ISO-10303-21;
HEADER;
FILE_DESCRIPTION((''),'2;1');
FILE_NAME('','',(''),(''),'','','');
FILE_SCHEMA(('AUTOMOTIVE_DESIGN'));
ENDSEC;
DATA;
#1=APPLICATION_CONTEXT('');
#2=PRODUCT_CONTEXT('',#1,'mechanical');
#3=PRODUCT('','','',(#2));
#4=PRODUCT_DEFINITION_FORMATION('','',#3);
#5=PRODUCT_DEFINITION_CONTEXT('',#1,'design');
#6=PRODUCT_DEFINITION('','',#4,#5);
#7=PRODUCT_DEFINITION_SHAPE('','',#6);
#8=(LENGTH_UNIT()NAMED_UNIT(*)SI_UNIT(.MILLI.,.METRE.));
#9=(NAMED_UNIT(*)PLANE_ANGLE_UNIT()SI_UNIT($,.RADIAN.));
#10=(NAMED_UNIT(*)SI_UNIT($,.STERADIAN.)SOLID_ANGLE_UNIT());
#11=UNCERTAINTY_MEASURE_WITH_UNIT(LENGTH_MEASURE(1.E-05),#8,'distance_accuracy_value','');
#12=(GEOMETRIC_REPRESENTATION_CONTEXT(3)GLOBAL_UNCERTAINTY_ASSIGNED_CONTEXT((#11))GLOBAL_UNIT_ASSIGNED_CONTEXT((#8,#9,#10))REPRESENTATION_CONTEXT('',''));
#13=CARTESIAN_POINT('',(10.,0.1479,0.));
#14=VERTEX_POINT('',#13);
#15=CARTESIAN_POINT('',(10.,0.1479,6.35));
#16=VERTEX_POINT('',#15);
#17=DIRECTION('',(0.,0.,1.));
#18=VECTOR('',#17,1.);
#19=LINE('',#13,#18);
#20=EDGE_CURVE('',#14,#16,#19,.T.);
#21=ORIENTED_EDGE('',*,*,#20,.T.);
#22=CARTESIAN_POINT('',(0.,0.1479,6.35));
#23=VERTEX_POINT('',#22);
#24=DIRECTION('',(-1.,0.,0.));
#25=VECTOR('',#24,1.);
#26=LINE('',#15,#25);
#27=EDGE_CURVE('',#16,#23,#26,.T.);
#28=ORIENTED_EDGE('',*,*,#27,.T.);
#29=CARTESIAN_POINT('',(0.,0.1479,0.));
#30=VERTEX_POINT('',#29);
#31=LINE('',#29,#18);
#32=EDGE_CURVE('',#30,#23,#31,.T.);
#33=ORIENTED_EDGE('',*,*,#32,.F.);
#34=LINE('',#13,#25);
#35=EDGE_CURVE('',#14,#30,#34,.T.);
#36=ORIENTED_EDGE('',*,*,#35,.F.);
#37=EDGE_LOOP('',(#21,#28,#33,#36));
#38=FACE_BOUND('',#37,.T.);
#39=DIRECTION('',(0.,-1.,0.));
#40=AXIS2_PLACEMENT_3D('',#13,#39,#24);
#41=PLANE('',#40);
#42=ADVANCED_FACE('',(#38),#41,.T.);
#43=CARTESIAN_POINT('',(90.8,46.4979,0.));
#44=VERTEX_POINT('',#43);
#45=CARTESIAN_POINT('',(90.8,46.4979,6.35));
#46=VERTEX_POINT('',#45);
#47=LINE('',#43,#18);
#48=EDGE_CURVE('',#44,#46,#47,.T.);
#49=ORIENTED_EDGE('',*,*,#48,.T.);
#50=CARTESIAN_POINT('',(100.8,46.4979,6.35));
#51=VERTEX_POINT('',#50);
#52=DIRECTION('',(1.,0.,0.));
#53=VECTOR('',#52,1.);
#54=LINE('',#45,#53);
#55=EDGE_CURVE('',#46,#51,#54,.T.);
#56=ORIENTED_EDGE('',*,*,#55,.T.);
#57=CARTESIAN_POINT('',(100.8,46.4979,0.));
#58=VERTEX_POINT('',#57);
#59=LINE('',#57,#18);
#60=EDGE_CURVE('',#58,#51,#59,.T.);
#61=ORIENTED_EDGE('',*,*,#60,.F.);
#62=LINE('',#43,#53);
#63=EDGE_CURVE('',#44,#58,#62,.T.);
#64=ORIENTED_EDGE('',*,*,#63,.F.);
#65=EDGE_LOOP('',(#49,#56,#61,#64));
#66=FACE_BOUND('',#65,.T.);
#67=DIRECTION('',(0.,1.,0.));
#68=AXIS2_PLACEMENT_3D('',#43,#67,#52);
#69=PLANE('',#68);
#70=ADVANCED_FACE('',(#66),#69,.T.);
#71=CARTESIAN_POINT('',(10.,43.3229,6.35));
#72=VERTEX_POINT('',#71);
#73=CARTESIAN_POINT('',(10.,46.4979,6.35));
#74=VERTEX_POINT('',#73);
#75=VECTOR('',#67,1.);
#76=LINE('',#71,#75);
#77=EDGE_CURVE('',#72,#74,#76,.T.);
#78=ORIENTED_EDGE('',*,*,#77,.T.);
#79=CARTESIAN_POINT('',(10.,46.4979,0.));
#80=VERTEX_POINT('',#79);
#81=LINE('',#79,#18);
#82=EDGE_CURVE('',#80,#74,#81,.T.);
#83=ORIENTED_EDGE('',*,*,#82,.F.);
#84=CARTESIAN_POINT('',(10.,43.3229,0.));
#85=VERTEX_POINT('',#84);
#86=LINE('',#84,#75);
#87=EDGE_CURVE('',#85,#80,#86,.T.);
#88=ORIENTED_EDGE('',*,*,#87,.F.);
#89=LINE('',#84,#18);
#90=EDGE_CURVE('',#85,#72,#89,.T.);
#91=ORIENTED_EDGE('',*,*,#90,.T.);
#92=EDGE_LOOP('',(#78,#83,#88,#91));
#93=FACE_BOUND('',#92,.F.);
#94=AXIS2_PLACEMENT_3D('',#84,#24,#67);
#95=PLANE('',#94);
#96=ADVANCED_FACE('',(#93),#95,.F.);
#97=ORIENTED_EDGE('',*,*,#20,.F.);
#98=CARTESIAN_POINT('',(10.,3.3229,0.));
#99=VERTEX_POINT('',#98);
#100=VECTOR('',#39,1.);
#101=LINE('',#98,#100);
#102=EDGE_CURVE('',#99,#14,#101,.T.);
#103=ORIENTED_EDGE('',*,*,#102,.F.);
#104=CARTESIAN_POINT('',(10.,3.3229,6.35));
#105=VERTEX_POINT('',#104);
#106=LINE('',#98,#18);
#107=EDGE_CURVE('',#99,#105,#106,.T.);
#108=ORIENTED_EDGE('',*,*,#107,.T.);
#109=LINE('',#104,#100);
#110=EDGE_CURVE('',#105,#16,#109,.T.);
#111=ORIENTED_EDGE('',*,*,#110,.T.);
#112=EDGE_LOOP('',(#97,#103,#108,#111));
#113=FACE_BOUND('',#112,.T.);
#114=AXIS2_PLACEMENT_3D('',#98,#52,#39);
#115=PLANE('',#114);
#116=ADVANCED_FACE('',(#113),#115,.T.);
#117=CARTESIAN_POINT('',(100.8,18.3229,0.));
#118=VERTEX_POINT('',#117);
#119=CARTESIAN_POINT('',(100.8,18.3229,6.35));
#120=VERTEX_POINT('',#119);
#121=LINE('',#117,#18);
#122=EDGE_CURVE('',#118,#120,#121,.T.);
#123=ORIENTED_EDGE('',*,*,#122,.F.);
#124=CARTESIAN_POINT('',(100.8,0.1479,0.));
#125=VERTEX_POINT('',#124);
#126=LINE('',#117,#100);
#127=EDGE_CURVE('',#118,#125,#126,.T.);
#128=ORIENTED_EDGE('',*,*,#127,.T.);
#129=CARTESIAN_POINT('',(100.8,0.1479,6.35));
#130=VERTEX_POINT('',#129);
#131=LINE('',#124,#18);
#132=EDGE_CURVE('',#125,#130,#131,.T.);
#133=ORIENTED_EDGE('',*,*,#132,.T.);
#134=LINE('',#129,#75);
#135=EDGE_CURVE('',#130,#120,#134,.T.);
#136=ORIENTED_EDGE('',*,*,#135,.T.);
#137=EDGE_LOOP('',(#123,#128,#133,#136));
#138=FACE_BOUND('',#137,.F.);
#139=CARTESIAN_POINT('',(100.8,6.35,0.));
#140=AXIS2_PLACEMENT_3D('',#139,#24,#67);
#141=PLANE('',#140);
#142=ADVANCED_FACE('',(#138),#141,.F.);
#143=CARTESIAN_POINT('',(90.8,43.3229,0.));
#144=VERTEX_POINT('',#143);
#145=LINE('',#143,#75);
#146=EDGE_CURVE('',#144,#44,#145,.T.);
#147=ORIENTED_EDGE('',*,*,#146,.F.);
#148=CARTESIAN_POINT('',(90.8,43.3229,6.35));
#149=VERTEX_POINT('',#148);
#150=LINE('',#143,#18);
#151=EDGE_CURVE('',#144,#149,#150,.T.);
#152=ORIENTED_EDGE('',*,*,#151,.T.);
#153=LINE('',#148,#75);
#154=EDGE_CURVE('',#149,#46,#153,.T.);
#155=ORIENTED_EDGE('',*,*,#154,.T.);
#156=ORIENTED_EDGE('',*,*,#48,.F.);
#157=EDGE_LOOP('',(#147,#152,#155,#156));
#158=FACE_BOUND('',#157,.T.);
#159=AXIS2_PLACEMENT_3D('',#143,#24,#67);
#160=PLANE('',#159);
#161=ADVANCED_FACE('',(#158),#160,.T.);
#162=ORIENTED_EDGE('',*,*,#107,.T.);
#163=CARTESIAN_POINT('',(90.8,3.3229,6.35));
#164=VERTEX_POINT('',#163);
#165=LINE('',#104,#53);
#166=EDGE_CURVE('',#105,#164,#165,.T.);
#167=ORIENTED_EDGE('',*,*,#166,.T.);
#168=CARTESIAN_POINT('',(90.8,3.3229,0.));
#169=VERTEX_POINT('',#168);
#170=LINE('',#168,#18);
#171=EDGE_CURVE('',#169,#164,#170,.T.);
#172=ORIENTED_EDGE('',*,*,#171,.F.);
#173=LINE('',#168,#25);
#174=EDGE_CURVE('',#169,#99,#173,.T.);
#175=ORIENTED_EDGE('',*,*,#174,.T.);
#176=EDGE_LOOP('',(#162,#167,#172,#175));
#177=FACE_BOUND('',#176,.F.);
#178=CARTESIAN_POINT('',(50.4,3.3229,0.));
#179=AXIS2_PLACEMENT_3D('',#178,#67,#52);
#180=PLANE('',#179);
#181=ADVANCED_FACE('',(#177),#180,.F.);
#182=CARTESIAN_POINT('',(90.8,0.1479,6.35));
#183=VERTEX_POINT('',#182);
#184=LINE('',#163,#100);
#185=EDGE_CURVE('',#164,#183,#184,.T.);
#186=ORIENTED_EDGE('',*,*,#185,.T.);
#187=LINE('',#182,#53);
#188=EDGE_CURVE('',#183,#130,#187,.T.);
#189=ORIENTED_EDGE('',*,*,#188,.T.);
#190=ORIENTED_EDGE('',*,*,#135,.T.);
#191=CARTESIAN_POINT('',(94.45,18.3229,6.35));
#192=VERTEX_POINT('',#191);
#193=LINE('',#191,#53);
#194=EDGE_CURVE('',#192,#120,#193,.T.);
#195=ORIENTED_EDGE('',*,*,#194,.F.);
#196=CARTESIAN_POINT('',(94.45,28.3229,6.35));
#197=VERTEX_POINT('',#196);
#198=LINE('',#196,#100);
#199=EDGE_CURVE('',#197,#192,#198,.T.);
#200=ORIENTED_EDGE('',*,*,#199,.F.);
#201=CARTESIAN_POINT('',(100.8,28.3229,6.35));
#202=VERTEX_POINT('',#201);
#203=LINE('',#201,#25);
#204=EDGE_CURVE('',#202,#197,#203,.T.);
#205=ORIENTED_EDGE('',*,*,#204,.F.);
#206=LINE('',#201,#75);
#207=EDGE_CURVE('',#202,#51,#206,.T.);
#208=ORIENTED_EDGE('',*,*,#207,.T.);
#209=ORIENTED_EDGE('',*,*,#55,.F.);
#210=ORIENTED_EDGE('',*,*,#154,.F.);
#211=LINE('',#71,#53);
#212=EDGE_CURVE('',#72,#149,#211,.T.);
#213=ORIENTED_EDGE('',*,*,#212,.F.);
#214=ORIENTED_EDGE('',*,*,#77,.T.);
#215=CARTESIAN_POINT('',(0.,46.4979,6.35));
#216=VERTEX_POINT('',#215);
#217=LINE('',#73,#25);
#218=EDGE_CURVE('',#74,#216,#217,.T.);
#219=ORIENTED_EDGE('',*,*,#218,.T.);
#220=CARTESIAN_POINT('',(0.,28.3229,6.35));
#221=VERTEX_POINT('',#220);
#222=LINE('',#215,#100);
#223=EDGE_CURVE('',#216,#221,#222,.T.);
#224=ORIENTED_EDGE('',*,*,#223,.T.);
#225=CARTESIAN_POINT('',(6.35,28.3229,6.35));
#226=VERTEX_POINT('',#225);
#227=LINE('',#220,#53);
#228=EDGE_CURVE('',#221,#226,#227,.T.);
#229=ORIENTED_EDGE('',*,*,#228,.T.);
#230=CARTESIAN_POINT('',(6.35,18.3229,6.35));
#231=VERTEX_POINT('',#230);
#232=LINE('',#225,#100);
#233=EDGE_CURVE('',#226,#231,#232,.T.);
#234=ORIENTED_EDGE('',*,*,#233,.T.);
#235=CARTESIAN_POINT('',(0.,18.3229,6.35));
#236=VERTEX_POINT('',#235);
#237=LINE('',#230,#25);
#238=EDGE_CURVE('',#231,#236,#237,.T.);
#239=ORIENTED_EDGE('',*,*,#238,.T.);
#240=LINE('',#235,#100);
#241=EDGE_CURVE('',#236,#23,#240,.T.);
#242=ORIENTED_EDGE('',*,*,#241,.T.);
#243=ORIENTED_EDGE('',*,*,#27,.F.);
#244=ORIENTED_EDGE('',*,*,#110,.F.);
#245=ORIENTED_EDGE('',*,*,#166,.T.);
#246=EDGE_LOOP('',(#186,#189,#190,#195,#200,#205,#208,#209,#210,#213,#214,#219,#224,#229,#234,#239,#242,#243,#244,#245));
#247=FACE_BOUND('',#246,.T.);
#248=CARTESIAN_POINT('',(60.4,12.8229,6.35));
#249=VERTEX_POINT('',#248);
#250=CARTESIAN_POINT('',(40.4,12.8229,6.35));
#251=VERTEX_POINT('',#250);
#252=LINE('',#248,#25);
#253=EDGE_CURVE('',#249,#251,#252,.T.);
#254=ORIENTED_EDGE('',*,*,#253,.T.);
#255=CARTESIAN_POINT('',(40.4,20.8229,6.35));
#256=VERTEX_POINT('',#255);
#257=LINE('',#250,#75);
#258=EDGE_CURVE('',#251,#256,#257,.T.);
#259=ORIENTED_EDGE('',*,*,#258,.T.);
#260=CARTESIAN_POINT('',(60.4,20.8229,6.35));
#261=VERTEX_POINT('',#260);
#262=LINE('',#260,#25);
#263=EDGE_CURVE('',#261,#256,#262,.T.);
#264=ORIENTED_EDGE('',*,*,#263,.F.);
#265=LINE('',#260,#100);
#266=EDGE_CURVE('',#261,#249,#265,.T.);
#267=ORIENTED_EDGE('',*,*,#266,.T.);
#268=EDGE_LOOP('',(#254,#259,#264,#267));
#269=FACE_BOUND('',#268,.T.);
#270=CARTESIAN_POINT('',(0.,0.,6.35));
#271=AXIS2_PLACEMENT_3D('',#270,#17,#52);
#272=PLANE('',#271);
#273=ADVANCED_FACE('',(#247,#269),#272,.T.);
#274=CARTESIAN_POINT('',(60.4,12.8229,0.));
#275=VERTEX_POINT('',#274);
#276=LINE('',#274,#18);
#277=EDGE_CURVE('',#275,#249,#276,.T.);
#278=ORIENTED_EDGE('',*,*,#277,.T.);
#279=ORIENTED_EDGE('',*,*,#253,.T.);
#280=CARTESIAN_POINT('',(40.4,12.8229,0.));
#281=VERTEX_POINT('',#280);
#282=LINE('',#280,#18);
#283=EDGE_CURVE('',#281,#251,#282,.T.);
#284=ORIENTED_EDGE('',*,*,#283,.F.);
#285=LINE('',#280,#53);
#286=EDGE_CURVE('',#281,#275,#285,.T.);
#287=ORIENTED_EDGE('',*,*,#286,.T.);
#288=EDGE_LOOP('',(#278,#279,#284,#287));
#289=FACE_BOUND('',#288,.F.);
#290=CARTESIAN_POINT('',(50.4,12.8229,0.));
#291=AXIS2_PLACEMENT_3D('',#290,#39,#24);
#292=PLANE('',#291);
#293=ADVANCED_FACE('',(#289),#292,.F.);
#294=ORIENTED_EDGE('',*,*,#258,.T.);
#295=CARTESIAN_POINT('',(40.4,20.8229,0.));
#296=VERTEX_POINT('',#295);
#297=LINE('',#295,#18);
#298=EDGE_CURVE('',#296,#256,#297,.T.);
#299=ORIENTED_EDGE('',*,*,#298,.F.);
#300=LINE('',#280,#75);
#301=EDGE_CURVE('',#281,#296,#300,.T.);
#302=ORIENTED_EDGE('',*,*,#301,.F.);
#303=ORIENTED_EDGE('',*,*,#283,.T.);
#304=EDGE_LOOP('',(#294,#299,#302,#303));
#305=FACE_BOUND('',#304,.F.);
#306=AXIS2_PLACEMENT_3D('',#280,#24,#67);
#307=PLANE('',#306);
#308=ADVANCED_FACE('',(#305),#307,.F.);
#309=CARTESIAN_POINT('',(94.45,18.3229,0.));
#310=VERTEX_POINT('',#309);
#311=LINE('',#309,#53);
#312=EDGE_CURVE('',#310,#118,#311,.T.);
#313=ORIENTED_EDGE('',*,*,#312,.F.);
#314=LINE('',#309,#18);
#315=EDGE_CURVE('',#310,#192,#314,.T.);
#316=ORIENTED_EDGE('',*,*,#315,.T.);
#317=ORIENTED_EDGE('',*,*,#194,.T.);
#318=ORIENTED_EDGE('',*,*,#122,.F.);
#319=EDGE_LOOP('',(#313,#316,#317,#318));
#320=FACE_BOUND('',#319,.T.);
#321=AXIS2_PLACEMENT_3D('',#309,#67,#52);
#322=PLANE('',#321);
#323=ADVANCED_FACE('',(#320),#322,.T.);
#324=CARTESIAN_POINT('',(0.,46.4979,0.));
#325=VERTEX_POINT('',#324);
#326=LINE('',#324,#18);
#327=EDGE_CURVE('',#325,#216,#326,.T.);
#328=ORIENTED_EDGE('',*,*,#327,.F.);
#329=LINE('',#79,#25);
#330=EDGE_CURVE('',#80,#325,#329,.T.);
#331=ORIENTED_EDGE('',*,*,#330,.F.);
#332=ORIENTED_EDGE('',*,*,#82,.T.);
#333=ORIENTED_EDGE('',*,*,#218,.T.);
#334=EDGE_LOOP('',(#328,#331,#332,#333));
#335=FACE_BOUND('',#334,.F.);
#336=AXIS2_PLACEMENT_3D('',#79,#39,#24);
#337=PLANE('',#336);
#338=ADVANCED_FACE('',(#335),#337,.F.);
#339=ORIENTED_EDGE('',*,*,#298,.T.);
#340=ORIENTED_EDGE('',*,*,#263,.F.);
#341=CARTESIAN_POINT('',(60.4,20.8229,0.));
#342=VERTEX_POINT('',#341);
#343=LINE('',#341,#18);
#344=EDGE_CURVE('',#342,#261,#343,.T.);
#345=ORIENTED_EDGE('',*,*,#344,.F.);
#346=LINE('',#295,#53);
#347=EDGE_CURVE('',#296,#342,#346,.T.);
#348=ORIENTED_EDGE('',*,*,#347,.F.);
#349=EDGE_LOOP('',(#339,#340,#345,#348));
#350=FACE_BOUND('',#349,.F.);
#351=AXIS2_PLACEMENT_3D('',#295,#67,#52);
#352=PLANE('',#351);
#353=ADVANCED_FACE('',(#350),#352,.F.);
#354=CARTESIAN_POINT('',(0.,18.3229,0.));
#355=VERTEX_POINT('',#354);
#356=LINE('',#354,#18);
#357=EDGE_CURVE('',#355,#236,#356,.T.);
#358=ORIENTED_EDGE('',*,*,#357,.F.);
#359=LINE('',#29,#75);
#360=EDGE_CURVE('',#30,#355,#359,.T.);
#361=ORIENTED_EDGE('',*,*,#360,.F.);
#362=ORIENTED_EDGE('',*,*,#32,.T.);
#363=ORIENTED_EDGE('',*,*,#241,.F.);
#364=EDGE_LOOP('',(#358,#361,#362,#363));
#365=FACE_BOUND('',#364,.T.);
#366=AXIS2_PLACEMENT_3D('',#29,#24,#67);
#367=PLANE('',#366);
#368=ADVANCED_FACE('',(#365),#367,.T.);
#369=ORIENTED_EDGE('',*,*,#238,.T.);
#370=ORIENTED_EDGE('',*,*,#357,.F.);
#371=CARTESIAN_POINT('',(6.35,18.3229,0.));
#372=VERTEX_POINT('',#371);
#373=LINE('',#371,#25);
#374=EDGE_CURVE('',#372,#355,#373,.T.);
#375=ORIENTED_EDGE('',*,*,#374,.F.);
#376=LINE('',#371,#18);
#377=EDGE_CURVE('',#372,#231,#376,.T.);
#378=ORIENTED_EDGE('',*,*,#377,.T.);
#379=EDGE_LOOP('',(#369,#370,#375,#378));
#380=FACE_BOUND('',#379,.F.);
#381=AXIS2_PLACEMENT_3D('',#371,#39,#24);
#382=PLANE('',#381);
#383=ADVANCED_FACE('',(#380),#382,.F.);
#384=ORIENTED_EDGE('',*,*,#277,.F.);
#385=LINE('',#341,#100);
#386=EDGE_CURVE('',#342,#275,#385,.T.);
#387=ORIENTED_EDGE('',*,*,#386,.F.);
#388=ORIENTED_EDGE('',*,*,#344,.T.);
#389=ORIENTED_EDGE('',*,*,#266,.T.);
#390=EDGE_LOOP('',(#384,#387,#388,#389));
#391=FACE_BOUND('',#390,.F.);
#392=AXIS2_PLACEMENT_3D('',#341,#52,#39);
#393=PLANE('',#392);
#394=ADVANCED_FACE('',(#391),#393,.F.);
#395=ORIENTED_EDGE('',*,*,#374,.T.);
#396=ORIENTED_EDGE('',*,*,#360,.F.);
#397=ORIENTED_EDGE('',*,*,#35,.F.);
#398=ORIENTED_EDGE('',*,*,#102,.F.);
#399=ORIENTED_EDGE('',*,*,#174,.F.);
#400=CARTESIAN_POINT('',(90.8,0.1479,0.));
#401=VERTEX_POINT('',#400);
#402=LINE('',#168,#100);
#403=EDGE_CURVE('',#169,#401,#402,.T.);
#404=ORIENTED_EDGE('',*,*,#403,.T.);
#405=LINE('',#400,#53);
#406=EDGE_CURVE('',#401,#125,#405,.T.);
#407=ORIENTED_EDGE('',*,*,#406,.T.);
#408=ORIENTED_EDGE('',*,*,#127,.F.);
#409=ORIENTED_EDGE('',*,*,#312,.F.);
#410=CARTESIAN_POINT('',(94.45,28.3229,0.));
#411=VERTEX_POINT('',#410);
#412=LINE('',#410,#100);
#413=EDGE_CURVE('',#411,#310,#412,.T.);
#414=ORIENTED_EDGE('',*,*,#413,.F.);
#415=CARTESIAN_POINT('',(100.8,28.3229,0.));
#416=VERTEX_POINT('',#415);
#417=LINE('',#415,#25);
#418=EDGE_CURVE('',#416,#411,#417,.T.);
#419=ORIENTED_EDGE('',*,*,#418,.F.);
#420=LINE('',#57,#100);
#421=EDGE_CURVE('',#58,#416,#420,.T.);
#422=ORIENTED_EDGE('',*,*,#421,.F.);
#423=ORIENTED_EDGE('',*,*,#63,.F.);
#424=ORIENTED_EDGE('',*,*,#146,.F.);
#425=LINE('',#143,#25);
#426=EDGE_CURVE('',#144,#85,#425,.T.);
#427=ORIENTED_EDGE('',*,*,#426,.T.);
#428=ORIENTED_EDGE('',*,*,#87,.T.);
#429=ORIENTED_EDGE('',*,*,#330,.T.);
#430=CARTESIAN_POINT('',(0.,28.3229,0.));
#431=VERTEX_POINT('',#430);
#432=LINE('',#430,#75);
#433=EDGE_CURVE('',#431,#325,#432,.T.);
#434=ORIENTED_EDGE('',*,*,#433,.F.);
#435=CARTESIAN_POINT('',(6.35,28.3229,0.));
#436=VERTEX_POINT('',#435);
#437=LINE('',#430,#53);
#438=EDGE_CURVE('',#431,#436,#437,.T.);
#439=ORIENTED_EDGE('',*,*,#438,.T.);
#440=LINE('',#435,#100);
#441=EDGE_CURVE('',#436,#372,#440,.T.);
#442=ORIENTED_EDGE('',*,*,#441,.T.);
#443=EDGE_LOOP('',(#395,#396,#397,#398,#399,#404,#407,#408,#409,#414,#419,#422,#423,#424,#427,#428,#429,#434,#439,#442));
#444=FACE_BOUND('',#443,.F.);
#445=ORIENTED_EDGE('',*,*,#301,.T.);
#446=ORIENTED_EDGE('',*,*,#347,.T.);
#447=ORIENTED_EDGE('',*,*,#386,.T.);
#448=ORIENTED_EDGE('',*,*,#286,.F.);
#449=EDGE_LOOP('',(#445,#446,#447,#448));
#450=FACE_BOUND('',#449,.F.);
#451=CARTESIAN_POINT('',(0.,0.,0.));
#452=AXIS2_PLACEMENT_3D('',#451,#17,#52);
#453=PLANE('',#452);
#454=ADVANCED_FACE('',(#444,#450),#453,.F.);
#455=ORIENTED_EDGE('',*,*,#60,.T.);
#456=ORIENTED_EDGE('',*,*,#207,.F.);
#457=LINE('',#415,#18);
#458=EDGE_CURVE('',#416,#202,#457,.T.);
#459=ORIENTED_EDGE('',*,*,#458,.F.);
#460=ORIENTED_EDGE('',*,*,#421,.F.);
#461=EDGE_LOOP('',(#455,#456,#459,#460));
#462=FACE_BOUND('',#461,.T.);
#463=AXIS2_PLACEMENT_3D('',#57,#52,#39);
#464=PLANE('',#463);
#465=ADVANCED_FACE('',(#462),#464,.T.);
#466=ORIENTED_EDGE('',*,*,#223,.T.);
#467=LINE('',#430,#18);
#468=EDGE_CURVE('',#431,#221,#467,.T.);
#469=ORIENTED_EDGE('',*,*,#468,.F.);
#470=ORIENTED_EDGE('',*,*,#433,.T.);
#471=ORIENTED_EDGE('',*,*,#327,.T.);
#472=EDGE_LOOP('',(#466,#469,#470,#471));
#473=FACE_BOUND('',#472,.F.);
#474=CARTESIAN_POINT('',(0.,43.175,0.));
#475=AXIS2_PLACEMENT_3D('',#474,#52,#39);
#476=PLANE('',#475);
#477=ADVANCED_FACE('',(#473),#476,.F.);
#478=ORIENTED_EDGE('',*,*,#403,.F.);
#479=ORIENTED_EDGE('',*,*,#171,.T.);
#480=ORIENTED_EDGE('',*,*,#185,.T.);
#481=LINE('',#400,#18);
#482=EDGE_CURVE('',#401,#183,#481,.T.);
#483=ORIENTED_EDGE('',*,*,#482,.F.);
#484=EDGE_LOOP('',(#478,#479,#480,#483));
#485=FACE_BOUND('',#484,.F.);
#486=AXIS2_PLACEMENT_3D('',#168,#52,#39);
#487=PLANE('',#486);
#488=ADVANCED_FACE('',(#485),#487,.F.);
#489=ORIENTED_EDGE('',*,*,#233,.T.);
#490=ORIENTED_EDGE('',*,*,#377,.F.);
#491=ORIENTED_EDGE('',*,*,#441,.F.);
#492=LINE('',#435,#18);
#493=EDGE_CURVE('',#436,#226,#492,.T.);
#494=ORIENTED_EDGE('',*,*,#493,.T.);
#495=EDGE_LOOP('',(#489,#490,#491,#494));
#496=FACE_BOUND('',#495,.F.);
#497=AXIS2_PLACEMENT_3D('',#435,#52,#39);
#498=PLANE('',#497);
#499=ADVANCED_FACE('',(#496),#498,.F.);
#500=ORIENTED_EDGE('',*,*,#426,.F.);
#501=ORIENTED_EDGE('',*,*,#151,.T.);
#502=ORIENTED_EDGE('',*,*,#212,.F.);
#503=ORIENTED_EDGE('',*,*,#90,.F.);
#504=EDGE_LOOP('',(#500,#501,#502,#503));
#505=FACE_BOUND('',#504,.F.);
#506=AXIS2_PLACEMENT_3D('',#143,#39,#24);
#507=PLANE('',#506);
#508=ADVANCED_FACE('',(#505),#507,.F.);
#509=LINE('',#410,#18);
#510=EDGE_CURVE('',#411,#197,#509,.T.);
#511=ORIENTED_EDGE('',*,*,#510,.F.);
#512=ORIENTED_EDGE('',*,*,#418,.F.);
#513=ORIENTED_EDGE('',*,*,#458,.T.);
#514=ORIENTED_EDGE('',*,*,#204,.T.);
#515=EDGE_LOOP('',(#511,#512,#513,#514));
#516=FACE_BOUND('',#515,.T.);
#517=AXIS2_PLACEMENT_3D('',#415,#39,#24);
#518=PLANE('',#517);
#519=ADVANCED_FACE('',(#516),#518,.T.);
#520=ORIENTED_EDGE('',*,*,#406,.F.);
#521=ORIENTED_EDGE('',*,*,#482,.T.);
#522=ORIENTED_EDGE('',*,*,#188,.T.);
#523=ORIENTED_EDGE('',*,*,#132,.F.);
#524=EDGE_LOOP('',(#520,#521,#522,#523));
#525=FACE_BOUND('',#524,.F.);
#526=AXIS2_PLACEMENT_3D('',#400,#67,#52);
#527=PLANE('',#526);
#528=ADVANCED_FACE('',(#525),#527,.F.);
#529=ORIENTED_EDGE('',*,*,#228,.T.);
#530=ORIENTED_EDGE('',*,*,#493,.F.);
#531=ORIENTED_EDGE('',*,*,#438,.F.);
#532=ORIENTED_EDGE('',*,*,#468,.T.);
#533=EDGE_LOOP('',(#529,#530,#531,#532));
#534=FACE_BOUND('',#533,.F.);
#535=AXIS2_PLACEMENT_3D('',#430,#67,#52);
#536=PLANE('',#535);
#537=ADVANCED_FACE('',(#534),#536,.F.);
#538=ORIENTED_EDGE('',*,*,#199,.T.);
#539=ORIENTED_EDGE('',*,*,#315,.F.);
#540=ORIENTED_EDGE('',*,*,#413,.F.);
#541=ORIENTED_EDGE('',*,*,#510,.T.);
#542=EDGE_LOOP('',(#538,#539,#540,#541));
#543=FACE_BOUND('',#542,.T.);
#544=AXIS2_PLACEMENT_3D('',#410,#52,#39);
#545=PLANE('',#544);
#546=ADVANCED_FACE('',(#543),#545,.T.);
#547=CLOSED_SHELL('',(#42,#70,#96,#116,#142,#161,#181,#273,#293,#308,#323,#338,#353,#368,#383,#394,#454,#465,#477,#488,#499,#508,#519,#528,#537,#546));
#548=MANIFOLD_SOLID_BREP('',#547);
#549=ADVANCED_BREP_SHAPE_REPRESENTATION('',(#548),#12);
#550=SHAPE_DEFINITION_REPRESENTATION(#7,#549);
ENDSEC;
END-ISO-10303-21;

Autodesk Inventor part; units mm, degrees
ref_plane "YZ Plane" through (0, 0, 0) normal (1, 0, 0) x (0, 1, 0)
ref_plane "XZ Plane" through (0, 0, 0) normal (0, 1, 0) x (-1, 0, 0)
ref_plane "XY Plane" through (0, 0, 0) normal (0, 0, 1) x (1, 0, 0)
sketch "Sketch1" plane through (0, 0, 0) normal (0, 0, 1) x (1, 0, 0)
  line L0 (90.8, 43.3229) -> (90.8, 46.4979)
  line L1 (90.8, 46.4979) -> (100.8, 46.4979)
  line L2 (100.8, 46.4979) -> (100.8, 43.175)
  line L3 (94.45, 28.3229) -> (94.45, 18.3229)
  line L4 (90.8, 0.1479) -> (100.8, 0.1479)
  line L5 (100.8, 0.1479) -> (100.8, 6.35)
  line L6 (100.8, 6.35) -> (100.8, 18.3229)
  line L7 (94.45, 18.3229) -> (100.8, 18.3229)
  line L8 (100.8, 28.3229) -> (94.45, 28.3229)
  line L9 (100.8, 28.3229) -> (100.8, 43.175)
  line L10 (90.8, 3.3229) -> (90.8, 0.1479)
  line L11 (10, 3.3229) -> (90.8, 3.3229)
  line L12 (90.8, 43.3229) -> (10, 43.3229)
  line L13 (10, 43.3229) -> (10, 46.4979)
  line L14 (10, 46.4979) -> (0, 46.4979)
  line L15 (0, 46.4979) -> (0, 43.175)
  line L16 (10, 3.3229) -> (10, 0.1479)
  line L17 (6.35, 28.3229) -> (6.35, 18.3229)
  line L18 (0, 43.175) -> (0, 28.3229)
  line L19 (0, 28.3229) -> (6.35, 28.3229)
  line L20 (0, 18.3229) -> (0, 6.35)
  line L21 (6.35, 18.3229) -> (0, 18.3229)
  line L22 (0, 0.1479) -> (0, 6.35)
  line L23 (10, 0.1479) -> (0, 0.1479)
  line L24 (40.4, 20.8229) -> (60.4, 20.8229)
  line L25 (60.4, 20.8229) -> (60.4, 12.8229)
  line L26 (60.4, 12.8229) -> (40.4, 12.8229)
  line L27 (40.4, 12.8229) -> (40.4, 20.8229)
  line L28 (50.4, 43.3229) -> (50.4, 3.3229)
  point P0 (0, 0)
  point P1 (4.5679, 28.3229)
  point P2 (50.4, 12.8229)
  point P3 (6.35, 23.3229)
  point P4 (50.4, 23.3229)
  point P5 (94.45, 23.3229)
  dimension "d0" = 40
  dimension "d1" = 20
  dimension "d2" = 8
  dimension "d3" = 88.1
  dimension "d4" = 80.8
  dimension "d5" = 3.175
  dimension "d6" = 3.175
  dimension "d7" = 3.175
  dimension "d8" = 3.175
  dimension "d9" = 10
  dimension "d10" = 10
  dimension "d11" = 9.5
extrude "Extrusion1" add sketch "Sketch1" along normal blind 6.35
extrude "Extrusion2" cut sketch "Sketch1" along normal blind 6.35 contours L28 L26 L27 L24 | L24 L25 L26 L28
properties part number "boxBack"
